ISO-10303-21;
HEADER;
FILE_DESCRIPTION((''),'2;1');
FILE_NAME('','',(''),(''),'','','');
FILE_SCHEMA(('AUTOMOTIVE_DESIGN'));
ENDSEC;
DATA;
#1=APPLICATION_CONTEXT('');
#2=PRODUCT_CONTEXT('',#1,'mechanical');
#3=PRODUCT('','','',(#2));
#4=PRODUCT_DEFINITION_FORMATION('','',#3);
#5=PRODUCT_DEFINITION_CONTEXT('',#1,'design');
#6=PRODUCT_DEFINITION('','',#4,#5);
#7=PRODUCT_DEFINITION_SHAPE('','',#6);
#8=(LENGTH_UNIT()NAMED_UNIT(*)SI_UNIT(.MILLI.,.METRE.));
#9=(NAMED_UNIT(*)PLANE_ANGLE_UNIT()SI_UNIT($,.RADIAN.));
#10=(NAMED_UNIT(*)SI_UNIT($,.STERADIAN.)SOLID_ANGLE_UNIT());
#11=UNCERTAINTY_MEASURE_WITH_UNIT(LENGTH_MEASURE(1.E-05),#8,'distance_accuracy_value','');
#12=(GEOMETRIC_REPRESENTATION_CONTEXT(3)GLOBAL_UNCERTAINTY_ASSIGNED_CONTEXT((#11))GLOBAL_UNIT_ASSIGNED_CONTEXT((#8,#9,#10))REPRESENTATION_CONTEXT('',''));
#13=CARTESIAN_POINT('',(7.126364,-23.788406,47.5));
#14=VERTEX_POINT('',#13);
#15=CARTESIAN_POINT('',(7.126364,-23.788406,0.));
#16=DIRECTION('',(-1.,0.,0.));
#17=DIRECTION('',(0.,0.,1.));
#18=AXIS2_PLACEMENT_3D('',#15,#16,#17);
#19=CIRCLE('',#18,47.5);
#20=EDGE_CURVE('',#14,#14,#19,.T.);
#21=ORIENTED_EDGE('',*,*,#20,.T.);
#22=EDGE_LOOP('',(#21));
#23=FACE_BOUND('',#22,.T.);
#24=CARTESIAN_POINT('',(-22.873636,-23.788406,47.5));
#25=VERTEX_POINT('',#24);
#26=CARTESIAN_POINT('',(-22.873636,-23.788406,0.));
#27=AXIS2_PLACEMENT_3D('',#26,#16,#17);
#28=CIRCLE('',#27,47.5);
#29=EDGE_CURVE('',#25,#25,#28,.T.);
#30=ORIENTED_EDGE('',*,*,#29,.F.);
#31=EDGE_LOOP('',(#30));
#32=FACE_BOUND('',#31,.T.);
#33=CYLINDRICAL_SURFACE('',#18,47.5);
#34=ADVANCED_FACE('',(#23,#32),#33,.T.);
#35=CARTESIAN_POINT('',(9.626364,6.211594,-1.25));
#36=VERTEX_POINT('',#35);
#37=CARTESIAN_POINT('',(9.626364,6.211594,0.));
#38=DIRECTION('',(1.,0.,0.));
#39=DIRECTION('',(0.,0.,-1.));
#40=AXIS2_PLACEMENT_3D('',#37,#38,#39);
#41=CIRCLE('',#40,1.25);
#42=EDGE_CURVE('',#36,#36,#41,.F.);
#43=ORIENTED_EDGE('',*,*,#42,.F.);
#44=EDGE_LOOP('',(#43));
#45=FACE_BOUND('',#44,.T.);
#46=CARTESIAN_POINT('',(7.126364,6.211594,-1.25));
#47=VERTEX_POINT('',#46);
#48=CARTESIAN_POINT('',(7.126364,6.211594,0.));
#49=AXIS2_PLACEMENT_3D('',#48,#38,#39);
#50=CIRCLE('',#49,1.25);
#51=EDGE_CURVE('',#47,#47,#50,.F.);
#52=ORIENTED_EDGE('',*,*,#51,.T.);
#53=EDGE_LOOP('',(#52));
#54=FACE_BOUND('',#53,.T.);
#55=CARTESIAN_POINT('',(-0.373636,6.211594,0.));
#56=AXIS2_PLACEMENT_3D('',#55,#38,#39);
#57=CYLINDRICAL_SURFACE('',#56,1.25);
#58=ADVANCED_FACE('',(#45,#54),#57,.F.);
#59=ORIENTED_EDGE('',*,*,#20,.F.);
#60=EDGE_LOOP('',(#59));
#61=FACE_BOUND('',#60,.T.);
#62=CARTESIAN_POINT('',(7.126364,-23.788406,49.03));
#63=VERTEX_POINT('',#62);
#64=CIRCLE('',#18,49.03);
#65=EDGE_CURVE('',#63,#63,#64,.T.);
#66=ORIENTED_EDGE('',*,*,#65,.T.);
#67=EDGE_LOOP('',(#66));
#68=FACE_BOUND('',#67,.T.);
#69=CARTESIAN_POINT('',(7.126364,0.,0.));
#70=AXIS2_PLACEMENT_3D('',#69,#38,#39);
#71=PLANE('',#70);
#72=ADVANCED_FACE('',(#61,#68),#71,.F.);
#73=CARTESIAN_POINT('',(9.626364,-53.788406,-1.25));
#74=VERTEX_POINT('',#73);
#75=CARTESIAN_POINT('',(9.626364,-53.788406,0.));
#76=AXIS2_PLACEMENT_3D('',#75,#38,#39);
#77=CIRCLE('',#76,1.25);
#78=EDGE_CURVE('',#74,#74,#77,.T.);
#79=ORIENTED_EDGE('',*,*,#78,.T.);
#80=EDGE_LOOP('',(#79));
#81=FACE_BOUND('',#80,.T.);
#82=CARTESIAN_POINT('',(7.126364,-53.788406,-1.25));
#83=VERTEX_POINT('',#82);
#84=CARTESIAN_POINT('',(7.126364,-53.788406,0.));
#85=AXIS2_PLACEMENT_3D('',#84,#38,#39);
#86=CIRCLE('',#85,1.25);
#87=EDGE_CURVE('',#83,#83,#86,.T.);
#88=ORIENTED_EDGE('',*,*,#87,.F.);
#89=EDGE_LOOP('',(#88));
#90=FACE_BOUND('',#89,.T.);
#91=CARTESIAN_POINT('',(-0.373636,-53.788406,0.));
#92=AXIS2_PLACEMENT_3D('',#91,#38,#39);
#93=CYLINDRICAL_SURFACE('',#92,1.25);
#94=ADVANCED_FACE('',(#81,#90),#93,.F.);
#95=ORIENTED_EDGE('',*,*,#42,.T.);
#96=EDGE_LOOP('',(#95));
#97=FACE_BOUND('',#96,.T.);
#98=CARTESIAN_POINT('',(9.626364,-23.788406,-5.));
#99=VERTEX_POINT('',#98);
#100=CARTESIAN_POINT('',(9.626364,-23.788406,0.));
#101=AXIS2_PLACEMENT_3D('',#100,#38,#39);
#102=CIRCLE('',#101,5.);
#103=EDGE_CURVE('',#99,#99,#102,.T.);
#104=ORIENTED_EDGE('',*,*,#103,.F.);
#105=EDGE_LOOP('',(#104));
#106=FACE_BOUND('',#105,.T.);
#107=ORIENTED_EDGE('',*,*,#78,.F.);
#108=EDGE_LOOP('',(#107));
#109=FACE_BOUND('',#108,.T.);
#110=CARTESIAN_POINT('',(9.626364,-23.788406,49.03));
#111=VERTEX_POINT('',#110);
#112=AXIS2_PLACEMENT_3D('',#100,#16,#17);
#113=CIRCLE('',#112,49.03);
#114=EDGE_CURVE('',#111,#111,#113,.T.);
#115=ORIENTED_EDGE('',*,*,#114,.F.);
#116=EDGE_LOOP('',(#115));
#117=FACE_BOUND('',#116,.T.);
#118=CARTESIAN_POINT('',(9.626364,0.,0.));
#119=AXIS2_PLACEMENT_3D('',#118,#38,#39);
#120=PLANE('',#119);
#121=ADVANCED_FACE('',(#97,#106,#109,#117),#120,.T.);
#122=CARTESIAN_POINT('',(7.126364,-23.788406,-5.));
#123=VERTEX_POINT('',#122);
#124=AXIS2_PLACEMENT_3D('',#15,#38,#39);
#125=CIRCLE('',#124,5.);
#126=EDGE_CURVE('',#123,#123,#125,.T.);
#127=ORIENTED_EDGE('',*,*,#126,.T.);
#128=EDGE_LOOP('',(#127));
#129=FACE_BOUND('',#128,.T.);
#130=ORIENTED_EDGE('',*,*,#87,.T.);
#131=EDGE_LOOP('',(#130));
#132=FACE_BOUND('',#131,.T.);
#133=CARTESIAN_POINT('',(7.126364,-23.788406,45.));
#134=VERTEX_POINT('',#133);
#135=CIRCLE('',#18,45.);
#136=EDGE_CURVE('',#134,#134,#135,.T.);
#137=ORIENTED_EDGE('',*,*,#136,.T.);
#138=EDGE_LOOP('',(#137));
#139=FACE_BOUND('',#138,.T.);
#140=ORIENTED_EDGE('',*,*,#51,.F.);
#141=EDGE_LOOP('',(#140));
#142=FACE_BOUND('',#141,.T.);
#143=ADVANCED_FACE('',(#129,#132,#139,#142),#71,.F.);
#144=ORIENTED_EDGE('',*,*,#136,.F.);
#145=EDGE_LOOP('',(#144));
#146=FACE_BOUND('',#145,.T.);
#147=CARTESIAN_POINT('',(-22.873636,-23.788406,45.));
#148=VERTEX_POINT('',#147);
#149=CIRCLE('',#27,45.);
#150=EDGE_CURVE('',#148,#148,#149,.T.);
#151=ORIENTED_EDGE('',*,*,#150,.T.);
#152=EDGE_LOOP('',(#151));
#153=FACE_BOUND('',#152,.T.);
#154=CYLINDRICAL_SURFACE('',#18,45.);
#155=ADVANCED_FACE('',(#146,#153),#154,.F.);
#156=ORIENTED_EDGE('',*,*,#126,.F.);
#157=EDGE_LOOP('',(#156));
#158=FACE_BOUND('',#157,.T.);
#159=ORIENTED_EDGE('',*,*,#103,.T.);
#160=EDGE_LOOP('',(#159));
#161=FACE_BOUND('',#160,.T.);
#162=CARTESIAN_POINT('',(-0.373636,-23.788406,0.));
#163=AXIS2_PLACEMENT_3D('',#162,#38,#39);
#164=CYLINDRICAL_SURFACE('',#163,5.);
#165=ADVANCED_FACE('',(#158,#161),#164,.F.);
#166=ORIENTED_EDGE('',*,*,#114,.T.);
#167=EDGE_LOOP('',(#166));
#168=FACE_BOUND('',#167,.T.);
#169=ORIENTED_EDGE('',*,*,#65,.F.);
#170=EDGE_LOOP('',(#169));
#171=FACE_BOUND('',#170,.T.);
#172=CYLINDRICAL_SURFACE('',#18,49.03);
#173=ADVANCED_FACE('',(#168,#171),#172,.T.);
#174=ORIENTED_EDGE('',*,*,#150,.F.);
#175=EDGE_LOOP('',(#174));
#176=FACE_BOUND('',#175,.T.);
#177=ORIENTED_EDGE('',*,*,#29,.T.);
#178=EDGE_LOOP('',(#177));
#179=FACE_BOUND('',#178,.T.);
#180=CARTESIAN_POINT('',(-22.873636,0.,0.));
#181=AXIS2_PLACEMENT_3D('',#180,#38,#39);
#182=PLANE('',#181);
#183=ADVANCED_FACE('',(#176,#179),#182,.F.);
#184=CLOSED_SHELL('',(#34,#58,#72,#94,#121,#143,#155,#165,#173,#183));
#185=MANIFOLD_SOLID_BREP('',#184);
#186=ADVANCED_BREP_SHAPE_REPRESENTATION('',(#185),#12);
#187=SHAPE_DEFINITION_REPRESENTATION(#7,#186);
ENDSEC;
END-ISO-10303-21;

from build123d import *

# Parameters (mm, degrees)
SKETCH1_W          = 2.5
SKETCH1_H          = 49.03
SKETCH1_W_2        = 30
SKETCH1_H_2        = 2.5
CUT_EXTRUDE1_DEPTH = 10


with BuildPart() as part:
    # Sketch1 → Revolve1 (revolve)
    with BuildSketch(Plane.XY, mode=Mode.PRIVATE) as revolve1_sk:
        with Locations((8.376364172, 0.726593752)):
            Rectangle(SKETCH1_W, SKETCH1_H)
        with Locations((-7.873635828, 22.461593752)):
            Rectangle(SKETCH1_W_2, SKETCH1_H_2)
    revolve(revolve1_sk.sketch.rotate(Axis((7.126364172, -23.788406248, 0), (1, 0, 0)), 90), axis=Axis((7.126364172, -23.788406248, 0), (1, 0, 0)))

    # Sketch2 → Cut-Extrude1 (cut)
    with BuildSketch(Plane(origin=(9.626364172, 0, 0), x_dir=(0, 0, -1), z_dir=(1, 0, 0))):
        with BuildLine():
            Line((0, -23.788406248), (0, -18.788406248))
            ThreePointArc((0, -18.788406248), (-5, -23.788406248), (0, -28.788406248))
            Line((0, -28.788406248), (0, -23.788406248))
        make_face()
        with BuildLine():
            ThreePointArc((5, -23.788406248), (3.535533906, -20.252872342), (0, -18.788406248))
            Line((0, -18.788406248), (0, -23.788406248))
            Line((0, -23.788406248), (5, -23.788406248))
        make_face()
        with BuildLine():
            Line((5, -23.788406248), (0, -23.788406248))
            Line((0, -23.788406248), (0, -28.788406248))
            ThreePointArc((0, -28.788406248), (3.535533906, -27.323940154), (5, -23.788406248))
        make_face()
        with BuildLine():
            ThreePointArc((1.25, -53.788406248), (0.883883476, -52.904522772), (0, -52.538406248))
            Line((0, -52.538406248), (0, -55.038406248))
            ThreePointArc((0, -55.038406248), (0.883883476, -54.672289725), (1.25, -53.788406248))
        make_face()
        with BuildLine():
            Line((0, -55.038406248), (0, -52.538406248))
            ThreePointArc((0, -52.538406248), (-1.25, -53.788406248), (0, -55.038406248))
        make_face()
        with BuildLine():
            ThreePointArc((1.25, 6.211593752), (0.883883476, 7.095477228), (0, 7.461593752))
            Line((0, 7.461593752), (0, 4.961593752))
            ThreePointArc((0, 4.961593752), (0.883883476, 5.327710275), (1.25, 6.211593752))
        make_face()
        with BuildLine():
            Line((0, 4.961593752), (0, 7.461593752))
            ThreePointArc((0, 7.461593752), (-1.25, 6.211593752), (0, 4.961593752))
        make_face()
    extrude(amount=-CUT_EXTRUDE1_DEPTH, mode=Mode.SUBTRACT)


solid = part.part
